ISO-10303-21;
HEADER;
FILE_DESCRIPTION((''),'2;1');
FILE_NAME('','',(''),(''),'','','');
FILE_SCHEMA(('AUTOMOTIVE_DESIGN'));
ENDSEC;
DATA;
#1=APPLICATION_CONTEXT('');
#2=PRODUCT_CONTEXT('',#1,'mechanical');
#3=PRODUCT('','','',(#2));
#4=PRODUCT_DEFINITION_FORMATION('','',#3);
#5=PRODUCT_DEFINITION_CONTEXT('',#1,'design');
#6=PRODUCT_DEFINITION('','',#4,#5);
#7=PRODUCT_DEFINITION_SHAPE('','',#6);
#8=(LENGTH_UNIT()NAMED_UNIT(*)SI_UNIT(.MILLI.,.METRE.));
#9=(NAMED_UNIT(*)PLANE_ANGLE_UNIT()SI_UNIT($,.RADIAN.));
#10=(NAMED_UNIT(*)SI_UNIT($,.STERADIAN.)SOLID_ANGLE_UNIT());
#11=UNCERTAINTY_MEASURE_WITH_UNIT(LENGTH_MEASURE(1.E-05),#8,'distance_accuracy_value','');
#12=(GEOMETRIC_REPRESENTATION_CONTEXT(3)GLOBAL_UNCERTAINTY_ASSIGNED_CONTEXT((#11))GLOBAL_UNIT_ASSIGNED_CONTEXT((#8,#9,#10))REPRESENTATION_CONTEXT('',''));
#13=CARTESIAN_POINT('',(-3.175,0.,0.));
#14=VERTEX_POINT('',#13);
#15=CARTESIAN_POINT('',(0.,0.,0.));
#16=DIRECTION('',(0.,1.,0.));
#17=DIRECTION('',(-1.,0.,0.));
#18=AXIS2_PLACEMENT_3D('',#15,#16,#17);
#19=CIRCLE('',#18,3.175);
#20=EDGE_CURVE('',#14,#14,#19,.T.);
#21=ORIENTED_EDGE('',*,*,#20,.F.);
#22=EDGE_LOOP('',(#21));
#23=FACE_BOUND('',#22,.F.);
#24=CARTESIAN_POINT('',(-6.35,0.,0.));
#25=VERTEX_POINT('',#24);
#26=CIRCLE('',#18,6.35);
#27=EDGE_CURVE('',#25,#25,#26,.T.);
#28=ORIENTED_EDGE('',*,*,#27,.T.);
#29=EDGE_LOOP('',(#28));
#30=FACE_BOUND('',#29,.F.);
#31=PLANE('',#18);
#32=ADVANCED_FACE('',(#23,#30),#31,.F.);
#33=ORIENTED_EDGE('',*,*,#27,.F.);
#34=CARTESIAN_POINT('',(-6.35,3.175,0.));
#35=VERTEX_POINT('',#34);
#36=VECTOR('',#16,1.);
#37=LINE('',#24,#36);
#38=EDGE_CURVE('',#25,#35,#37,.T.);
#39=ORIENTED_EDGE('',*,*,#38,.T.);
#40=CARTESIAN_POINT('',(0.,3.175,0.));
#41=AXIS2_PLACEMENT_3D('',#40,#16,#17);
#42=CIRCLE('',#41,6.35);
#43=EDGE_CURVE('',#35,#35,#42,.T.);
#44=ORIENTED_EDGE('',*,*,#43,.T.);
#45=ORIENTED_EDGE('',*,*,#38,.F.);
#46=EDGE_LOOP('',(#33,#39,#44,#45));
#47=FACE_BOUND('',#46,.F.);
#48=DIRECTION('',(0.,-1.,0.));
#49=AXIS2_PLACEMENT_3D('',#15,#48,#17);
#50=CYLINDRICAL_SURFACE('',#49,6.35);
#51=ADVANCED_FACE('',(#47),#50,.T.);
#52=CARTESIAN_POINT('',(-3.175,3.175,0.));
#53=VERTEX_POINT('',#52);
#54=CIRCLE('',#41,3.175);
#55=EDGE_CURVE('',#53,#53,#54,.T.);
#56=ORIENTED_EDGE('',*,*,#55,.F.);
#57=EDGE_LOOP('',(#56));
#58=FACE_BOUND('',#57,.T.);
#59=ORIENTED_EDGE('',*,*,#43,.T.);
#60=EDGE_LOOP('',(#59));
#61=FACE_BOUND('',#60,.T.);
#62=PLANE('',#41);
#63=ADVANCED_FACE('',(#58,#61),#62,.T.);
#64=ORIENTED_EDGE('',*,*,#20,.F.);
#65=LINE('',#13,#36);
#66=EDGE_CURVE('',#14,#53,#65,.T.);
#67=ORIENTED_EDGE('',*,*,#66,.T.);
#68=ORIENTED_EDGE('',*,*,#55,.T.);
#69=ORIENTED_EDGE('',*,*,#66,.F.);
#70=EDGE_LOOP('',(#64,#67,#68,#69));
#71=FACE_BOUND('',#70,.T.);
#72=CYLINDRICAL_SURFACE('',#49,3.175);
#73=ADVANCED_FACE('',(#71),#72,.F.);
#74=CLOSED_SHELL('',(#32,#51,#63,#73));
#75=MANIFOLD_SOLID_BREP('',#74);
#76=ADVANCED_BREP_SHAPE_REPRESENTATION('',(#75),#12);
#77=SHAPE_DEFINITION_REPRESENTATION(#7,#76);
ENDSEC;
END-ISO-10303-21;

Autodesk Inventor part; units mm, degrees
ref_plane "YZ Plane" through (0, 0, 0) normal (1, 0, 0) x (0, 1, 0)
ref_plane "XZ Plane" through (0, 0, 0) normal (0, 1, 0) x (-1, 0, 0)
ref_plane "XY Plane" through (0, 0, 0) normal (0, 0, 1) x (1, 0, 0)
sketch "Sketch1" plane through (0, 0, 0) normal (0, 1, 0) x (-1, 0, 0)
  circle A0 centre (0, 0) radius 3.175
  circle A1 centre (0, 0) radius 6.35
  dimension "d0" = 6.35
  dimension "d1" = 12.7
extrude "Extrusion1" add sketch "Sketch1" along normal blind 3.175
properties part number "2AM-17-P-5206 - supports spacer 09"
